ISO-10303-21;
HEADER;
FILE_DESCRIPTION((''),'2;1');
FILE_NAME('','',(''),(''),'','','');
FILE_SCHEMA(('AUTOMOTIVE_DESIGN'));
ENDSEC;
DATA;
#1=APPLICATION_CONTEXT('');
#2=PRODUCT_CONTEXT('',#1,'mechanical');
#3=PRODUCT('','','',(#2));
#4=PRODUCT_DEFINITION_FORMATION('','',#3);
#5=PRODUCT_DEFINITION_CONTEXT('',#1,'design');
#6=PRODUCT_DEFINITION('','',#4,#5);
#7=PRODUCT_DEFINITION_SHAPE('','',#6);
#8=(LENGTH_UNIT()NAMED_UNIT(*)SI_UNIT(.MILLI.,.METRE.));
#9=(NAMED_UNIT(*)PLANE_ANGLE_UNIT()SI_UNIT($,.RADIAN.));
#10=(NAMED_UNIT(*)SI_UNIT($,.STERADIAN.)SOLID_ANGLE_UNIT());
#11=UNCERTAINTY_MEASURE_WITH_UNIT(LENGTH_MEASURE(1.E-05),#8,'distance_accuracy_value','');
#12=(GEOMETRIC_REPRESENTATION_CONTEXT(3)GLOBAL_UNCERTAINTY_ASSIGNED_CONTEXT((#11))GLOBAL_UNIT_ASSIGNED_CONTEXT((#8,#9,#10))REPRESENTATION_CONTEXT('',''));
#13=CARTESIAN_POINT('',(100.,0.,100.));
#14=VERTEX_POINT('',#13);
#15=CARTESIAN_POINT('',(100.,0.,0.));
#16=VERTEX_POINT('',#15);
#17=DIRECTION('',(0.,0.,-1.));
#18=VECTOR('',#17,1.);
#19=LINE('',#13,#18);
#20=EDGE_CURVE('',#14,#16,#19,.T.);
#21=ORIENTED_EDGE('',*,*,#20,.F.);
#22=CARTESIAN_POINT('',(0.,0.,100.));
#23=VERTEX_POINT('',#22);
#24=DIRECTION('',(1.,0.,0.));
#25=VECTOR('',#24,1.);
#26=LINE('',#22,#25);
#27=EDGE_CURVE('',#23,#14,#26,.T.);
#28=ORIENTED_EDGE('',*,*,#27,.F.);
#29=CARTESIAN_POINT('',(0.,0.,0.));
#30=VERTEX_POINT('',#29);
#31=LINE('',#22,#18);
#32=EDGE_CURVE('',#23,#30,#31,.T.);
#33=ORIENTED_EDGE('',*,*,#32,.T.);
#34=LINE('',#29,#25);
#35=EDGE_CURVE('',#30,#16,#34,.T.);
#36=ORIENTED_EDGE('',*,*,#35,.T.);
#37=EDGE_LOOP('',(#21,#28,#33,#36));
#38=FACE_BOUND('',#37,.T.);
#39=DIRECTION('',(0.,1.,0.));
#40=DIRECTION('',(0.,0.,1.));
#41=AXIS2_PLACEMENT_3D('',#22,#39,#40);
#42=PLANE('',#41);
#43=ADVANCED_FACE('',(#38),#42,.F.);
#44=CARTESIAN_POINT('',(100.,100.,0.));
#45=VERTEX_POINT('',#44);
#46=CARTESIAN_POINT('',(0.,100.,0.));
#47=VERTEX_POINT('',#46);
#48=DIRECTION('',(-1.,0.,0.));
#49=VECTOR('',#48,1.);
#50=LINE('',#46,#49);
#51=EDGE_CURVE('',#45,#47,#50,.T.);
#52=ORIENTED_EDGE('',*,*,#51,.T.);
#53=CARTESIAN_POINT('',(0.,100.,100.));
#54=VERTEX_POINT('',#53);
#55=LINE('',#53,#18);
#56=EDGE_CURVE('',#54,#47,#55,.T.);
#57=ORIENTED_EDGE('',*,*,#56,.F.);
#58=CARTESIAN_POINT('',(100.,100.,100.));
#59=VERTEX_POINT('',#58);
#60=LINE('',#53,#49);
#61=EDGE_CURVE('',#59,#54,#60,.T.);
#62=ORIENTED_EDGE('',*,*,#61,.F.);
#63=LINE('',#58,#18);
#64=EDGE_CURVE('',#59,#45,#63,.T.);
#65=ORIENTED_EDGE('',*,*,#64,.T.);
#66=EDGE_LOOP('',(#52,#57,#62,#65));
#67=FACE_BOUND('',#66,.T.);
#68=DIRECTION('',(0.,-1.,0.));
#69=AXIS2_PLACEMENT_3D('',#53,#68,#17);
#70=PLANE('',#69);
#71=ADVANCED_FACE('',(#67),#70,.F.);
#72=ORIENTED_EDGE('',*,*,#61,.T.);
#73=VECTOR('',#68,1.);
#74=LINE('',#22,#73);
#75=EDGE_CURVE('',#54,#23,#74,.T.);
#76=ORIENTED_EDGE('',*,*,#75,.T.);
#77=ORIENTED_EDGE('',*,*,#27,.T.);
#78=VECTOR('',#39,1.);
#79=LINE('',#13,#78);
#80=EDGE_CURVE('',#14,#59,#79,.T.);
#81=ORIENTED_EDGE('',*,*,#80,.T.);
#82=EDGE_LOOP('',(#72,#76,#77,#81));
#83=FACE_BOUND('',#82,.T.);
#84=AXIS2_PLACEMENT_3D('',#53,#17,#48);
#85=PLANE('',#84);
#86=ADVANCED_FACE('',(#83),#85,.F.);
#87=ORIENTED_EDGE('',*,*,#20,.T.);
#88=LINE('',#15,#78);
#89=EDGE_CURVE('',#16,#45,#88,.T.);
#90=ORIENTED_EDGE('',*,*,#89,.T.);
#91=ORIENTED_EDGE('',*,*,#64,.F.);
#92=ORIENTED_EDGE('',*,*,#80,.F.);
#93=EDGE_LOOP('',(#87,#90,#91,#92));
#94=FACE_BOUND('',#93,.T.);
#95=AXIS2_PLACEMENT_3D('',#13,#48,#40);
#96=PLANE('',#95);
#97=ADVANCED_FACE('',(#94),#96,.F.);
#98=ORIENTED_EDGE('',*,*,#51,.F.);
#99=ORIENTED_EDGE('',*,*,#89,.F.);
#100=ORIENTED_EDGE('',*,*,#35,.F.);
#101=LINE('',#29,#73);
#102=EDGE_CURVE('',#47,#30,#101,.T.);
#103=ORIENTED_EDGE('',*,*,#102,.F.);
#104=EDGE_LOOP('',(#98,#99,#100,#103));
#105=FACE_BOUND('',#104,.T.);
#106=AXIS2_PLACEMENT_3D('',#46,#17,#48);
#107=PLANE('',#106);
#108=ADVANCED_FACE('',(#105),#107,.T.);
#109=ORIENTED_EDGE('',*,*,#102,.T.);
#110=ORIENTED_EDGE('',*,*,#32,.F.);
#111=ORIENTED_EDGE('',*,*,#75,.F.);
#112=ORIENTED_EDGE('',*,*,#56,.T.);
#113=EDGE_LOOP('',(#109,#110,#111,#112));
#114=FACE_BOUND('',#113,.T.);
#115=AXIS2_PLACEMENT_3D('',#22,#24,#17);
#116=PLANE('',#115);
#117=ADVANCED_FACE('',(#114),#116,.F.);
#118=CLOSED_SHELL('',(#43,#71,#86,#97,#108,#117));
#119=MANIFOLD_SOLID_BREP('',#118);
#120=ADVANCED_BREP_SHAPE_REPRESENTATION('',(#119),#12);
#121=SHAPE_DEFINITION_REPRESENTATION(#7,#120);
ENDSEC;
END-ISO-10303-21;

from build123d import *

# Parameters (mm, degrees)
ESQUISSE1_W        = 100
ESQUISSE1_H        = 100
BOSS_EXTRU_1_DEPTH = 100


with BuildPart() as part:
    # Esquisse1 → Boss.-Extru.1 (new body)
    with BuildSketch(Plane.XY):
        with Locations((50, 50)):
            Rectangle(ESQUISSE1_W, ESQUISSE1_H)
    extrude(amount=BOSS_EXTRU_1_DEPTH)


solid = part.part
